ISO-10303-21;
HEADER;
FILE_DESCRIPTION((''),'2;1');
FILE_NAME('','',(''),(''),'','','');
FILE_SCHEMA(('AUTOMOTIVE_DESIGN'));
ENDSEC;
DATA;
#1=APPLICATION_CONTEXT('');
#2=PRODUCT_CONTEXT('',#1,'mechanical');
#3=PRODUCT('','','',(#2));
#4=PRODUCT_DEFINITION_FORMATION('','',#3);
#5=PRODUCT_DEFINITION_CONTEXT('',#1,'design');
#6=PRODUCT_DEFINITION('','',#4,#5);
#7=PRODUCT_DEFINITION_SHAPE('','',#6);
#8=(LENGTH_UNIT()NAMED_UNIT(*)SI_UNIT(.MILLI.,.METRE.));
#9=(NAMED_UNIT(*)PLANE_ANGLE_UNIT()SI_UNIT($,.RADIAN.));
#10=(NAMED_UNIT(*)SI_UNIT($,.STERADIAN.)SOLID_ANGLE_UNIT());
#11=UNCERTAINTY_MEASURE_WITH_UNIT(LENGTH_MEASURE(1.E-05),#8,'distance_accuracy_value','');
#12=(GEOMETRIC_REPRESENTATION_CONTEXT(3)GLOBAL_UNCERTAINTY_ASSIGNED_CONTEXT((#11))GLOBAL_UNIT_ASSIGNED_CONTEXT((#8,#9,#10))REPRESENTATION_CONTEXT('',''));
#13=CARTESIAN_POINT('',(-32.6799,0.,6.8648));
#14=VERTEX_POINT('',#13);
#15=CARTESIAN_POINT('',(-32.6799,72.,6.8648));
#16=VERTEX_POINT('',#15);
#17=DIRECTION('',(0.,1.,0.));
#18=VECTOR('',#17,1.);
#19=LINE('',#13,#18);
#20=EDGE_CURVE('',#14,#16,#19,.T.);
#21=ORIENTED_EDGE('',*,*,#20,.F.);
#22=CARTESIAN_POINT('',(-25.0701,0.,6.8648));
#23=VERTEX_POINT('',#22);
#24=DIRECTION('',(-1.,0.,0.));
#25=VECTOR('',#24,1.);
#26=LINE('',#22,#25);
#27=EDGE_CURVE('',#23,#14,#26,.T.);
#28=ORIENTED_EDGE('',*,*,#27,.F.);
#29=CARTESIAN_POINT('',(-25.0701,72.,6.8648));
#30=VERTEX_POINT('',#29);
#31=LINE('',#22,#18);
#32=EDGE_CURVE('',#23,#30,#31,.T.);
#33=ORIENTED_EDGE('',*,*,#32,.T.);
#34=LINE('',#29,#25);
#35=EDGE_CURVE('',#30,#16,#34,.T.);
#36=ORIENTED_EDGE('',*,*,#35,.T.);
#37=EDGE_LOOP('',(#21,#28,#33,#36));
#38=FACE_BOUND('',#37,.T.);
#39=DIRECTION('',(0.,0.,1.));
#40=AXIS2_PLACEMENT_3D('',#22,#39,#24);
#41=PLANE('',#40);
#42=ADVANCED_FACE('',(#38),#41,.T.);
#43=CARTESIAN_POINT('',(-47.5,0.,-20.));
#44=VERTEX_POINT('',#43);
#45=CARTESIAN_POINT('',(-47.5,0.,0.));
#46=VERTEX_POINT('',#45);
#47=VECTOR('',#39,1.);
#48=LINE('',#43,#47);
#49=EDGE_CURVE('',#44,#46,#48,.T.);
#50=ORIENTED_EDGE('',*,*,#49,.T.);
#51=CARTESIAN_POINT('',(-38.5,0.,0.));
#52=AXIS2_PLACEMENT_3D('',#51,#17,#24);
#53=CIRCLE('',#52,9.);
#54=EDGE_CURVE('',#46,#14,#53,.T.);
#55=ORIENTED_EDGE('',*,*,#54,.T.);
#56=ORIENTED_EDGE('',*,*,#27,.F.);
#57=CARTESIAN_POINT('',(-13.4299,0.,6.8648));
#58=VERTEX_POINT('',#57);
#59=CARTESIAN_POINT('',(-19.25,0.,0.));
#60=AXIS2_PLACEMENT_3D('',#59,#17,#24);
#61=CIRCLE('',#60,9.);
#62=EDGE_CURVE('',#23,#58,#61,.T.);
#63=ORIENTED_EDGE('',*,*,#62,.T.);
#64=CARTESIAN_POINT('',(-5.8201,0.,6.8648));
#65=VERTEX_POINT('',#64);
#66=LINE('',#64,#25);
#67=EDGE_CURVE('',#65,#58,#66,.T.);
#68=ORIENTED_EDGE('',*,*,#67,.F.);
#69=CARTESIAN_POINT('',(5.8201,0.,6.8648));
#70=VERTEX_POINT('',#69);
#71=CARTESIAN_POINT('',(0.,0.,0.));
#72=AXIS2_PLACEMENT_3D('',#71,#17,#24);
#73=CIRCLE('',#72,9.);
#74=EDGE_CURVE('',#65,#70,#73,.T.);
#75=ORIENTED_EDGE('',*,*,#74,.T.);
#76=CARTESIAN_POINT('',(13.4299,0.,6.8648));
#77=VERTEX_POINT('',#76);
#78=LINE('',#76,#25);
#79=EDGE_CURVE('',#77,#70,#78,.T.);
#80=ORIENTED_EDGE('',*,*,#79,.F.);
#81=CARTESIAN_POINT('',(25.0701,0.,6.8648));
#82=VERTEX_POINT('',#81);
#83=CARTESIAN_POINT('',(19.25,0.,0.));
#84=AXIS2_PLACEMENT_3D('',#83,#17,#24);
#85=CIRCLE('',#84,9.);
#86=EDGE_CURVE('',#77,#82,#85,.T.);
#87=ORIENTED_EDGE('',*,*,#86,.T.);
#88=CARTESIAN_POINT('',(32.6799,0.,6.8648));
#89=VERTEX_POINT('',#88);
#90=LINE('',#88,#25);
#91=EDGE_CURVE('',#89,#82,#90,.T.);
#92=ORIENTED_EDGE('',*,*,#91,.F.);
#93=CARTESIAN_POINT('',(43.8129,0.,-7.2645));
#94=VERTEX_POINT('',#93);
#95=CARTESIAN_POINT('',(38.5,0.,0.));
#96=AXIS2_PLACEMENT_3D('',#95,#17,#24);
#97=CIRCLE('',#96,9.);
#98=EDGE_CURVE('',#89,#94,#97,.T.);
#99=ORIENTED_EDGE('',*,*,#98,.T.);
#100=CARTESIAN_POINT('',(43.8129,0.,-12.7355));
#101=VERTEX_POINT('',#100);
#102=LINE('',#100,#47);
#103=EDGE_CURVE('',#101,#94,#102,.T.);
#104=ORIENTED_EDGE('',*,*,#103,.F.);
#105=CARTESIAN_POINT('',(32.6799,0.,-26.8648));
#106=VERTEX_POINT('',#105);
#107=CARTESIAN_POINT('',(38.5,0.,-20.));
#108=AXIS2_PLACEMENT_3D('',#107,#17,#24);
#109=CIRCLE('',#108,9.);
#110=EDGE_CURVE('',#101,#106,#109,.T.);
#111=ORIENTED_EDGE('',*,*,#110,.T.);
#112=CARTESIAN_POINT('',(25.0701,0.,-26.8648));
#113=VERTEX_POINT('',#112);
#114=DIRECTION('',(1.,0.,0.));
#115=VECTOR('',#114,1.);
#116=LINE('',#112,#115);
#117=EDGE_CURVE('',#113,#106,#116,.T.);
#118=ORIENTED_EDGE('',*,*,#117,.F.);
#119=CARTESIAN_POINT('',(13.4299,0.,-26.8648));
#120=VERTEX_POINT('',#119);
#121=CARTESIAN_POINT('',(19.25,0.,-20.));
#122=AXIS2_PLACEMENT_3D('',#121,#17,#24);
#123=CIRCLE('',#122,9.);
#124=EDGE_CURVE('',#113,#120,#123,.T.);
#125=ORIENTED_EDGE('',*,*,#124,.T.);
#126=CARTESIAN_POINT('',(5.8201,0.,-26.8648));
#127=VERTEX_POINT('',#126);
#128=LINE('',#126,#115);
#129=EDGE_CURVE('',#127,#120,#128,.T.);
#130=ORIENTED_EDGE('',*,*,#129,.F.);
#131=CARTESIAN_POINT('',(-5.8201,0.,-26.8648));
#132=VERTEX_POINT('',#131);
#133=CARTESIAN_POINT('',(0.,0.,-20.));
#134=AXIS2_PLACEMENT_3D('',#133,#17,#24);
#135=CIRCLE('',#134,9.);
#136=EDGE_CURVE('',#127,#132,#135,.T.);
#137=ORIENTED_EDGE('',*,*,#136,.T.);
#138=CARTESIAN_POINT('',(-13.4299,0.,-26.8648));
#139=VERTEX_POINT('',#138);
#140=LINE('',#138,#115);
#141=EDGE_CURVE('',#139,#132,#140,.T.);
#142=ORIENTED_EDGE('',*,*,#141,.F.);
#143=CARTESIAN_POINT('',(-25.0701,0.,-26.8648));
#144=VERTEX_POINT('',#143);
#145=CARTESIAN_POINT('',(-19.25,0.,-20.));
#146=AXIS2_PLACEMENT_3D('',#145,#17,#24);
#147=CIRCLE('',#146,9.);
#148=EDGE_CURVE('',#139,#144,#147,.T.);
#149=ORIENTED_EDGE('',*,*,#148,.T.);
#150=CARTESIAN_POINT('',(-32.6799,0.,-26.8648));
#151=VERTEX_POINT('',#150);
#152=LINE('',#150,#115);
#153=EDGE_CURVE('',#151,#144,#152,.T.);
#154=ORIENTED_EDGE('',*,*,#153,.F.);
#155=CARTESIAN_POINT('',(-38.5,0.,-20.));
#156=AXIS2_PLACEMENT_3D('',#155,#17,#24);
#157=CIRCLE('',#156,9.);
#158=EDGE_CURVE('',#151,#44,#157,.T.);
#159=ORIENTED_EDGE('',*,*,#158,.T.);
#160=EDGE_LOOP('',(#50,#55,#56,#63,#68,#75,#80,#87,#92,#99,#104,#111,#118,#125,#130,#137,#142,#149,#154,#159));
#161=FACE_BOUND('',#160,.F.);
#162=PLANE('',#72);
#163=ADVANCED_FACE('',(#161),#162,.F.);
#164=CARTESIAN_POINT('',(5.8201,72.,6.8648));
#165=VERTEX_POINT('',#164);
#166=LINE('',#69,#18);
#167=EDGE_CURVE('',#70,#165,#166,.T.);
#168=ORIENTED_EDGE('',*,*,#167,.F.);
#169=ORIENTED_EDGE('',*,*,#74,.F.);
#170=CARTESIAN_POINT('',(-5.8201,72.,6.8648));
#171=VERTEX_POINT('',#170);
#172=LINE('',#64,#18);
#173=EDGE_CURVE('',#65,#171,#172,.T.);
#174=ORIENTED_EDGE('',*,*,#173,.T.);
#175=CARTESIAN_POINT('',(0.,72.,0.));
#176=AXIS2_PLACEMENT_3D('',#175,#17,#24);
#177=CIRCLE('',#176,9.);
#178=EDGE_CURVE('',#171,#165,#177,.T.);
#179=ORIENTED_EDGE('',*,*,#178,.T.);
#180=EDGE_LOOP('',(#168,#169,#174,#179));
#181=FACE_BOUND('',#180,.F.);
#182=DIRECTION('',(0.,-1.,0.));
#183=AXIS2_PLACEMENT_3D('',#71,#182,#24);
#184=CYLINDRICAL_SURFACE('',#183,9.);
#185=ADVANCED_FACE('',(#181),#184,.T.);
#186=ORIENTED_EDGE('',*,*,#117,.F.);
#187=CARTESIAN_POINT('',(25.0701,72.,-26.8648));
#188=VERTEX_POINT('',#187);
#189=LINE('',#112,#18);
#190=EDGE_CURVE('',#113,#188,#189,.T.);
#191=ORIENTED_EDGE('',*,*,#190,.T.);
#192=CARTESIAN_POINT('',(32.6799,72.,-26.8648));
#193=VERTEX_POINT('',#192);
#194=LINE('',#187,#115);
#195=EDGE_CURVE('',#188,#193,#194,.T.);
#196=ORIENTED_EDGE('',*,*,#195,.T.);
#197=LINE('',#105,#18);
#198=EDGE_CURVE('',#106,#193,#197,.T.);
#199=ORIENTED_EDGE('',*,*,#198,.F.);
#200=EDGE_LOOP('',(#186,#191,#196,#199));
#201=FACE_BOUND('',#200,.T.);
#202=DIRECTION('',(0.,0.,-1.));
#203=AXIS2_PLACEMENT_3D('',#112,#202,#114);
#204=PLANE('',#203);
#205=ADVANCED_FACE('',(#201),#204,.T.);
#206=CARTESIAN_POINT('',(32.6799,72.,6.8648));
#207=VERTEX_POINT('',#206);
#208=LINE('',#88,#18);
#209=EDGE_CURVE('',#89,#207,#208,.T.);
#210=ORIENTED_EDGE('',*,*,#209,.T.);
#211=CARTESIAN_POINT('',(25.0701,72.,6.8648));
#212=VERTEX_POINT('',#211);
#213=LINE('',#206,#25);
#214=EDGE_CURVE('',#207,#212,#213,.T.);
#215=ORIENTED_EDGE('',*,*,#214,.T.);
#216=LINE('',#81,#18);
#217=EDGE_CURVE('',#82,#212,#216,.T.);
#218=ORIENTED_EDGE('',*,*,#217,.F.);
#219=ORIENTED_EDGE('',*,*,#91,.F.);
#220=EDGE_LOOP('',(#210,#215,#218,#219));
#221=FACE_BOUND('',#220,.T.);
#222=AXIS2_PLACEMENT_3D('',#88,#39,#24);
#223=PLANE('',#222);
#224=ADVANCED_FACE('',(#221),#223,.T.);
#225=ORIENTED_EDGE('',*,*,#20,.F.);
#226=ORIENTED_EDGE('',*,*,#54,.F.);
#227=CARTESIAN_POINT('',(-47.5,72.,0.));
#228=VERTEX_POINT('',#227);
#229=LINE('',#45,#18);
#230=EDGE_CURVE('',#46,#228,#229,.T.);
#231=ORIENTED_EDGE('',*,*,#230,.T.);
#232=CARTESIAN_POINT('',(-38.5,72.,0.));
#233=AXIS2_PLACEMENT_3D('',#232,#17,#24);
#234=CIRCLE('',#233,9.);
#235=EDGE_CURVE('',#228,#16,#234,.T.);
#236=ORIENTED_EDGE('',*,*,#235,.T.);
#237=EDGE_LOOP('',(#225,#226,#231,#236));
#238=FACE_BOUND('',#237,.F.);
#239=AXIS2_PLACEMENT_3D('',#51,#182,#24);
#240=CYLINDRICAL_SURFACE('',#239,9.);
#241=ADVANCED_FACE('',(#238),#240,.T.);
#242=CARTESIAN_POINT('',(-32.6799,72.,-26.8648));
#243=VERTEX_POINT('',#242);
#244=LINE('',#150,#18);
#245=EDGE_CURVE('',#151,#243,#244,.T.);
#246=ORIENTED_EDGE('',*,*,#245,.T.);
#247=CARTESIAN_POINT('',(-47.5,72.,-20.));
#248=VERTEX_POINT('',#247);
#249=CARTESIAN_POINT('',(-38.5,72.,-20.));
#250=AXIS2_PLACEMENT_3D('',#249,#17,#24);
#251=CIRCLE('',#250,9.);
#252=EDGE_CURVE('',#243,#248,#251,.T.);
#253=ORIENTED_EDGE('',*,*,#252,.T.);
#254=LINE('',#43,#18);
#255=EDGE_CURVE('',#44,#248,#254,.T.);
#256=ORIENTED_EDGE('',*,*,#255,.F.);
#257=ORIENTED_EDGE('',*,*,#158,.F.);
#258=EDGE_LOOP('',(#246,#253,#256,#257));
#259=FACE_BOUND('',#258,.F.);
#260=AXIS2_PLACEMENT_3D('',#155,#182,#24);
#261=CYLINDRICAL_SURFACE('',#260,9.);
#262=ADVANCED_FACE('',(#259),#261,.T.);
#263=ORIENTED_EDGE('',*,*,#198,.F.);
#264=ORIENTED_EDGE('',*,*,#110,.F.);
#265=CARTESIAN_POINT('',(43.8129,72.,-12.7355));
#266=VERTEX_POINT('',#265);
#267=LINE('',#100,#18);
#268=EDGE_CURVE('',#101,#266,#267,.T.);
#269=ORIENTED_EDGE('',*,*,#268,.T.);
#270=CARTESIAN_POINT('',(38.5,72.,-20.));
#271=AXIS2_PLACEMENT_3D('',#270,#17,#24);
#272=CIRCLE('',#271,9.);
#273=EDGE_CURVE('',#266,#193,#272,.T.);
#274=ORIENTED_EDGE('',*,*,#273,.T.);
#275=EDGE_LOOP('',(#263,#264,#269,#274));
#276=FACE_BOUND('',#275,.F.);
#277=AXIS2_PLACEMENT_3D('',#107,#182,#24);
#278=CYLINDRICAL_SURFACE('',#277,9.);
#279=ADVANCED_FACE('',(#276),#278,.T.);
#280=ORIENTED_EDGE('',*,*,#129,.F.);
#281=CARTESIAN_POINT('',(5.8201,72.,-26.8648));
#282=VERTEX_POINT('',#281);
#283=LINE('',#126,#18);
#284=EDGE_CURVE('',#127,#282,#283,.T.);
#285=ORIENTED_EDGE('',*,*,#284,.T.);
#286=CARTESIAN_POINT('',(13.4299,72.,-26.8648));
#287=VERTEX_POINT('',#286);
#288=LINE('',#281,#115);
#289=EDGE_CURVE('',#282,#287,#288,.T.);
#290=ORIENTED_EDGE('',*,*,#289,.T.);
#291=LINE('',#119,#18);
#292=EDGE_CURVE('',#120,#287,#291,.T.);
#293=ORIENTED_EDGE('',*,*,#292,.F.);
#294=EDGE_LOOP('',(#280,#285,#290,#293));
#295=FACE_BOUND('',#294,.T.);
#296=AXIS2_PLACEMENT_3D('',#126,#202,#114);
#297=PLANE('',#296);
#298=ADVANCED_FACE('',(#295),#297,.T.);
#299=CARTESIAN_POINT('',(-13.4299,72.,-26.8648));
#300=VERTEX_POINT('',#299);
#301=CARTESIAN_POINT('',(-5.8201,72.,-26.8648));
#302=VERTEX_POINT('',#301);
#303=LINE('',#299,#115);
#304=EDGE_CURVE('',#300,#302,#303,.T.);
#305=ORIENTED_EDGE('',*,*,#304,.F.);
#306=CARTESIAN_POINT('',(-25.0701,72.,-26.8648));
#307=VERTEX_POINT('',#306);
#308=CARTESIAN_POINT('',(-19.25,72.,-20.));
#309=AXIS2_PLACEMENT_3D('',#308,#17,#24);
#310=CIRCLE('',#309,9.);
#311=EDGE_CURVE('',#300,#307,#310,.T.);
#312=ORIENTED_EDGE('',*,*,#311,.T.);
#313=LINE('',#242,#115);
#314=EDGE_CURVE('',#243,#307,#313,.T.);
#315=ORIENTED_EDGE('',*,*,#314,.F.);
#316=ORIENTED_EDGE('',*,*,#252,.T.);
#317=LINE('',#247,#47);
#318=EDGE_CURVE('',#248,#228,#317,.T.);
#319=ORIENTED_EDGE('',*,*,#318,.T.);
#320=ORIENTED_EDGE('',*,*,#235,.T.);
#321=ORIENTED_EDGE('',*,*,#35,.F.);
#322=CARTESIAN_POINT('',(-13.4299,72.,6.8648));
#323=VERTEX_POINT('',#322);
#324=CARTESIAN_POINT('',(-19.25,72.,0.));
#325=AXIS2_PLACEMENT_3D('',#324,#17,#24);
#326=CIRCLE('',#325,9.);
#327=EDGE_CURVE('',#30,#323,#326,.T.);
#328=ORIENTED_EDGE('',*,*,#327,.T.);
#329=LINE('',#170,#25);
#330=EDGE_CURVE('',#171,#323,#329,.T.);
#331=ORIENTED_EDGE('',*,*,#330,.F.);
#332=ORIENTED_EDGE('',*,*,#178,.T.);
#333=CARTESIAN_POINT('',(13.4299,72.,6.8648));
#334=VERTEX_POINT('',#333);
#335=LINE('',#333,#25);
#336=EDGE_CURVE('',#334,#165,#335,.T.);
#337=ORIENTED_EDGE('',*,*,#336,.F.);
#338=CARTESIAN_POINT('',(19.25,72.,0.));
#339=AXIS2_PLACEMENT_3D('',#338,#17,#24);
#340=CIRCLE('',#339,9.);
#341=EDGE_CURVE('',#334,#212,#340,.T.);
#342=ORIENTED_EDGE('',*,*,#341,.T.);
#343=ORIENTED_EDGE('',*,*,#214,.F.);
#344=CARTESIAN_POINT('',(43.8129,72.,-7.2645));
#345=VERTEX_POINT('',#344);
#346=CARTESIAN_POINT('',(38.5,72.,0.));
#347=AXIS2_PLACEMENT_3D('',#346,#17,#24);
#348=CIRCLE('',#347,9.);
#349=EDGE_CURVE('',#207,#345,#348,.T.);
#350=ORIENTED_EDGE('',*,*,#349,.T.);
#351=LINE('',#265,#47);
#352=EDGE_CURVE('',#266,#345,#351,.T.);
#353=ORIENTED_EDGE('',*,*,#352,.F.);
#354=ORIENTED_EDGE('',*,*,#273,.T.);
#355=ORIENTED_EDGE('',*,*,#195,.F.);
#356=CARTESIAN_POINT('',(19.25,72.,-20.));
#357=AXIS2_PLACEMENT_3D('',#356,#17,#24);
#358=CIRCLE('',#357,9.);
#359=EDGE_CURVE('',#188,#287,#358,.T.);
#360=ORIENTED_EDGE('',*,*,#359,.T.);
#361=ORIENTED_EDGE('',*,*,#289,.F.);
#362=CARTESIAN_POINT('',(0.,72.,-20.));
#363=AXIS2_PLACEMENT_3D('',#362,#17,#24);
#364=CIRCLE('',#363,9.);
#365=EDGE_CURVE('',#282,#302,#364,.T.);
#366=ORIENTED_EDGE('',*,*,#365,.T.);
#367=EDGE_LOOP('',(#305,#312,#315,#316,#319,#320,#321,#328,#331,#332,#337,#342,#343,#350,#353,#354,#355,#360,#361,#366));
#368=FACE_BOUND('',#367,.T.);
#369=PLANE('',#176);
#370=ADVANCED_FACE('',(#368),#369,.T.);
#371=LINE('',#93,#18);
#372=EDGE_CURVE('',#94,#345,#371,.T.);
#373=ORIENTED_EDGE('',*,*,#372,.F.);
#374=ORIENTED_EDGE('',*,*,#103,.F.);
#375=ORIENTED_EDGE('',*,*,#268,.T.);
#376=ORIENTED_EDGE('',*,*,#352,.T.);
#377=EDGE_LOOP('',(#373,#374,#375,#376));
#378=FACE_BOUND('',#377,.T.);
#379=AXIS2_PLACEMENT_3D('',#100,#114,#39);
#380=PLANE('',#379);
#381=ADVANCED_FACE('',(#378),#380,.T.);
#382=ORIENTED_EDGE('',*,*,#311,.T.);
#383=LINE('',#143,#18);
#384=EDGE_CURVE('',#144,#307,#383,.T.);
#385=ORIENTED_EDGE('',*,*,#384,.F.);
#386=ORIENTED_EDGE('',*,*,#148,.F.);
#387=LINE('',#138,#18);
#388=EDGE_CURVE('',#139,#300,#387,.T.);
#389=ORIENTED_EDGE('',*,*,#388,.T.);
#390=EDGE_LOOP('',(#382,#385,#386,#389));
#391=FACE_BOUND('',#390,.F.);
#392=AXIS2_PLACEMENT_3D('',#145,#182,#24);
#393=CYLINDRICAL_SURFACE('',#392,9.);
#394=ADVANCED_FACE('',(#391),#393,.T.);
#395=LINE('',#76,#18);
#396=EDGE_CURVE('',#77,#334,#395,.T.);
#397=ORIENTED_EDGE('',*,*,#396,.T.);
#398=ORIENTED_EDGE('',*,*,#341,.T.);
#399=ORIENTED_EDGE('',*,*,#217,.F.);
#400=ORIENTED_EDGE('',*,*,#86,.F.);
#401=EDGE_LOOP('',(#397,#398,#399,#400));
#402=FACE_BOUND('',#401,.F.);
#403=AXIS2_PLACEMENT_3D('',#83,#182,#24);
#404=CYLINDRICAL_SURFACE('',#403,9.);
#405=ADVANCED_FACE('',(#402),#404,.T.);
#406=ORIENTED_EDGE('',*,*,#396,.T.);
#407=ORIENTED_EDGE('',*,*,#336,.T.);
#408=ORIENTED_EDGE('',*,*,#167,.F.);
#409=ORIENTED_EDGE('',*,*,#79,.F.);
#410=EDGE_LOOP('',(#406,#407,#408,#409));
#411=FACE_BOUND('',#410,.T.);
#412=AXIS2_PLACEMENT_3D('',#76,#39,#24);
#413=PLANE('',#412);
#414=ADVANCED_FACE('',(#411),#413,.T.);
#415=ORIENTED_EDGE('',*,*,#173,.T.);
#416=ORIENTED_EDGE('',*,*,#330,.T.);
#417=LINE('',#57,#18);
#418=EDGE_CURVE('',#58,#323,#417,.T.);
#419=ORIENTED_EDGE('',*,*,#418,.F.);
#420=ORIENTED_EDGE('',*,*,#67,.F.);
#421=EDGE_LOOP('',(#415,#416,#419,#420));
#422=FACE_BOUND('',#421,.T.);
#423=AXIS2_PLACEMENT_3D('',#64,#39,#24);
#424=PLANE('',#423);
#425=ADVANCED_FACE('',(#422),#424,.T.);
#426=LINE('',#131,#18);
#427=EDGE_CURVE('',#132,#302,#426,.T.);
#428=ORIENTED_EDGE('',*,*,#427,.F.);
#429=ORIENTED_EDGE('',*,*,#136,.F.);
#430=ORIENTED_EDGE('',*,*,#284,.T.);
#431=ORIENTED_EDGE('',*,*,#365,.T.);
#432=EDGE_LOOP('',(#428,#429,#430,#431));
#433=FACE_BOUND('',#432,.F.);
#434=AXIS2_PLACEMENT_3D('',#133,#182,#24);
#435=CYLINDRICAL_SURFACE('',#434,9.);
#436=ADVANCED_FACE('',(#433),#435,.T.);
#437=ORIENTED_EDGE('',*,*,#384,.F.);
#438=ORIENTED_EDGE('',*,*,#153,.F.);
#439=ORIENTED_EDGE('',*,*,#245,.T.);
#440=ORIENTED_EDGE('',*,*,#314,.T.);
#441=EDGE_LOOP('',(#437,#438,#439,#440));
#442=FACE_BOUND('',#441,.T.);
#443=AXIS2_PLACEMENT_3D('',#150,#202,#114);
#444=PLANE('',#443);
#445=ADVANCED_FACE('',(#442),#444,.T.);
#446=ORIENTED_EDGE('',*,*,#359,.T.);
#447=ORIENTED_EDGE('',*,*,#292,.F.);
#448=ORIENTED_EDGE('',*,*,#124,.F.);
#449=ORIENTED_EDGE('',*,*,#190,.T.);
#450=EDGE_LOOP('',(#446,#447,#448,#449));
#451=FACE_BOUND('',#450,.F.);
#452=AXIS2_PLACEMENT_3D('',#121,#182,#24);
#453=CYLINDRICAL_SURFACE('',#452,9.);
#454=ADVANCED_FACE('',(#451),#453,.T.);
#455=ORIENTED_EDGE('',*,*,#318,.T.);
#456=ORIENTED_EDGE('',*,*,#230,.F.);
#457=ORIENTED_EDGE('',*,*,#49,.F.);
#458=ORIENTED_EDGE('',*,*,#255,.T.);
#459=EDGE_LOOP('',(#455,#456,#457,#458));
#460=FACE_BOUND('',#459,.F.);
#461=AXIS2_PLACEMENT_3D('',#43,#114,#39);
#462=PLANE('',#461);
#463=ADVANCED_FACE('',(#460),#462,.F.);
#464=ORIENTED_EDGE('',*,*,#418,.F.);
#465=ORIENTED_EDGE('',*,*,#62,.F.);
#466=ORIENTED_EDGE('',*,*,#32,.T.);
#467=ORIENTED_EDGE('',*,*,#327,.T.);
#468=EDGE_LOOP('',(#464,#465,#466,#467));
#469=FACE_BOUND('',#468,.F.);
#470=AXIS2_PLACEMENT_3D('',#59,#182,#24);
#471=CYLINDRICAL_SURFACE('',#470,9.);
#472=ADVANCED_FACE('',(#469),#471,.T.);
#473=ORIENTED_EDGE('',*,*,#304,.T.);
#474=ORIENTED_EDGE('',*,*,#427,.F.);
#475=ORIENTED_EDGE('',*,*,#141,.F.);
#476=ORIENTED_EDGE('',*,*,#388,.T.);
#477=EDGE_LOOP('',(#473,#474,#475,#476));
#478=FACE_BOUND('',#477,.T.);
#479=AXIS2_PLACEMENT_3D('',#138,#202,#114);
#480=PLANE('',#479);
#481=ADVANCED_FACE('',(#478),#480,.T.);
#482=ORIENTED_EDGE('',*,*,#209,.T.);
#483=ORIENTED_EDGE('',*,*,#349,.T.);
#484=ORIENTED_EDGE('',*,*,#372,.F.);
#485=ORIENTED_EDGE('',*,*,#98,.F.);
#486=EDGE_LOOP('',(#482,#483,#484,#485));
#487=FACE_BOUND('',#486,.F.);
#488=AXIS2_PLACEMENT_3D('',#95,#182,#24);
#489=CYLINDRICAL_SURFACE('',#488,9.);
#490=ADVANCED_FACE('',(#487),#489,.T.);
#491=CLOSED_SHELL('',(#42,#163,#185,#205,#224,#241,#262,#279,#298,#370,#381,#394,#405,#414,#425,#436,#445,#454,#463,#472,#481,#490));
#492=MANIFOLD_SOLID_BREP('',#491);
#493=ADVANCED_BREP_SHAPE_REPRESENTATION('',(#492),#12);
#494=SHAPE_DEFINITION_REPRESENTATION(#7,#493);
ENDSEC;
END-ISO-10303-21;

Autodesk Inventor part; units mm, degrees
ref_plane "YZ Plane" through (0, 0, 0) normal (1, 0, 0) x (0, 1, 0)
ref_plane "XZ Plane" through (0, 0, 0) normal (0, 1, 0) x (-1, 0, 0)
ref_plane "XY Plane" through (0, 0, 0) normal (0, 0, 1) x (1, 0, 0)
sketch "Sketch1" plane through (0, 0, 0) normal (0, 1, 0) x (-1, 0, 0)
  circle A0 centre (0, 0) radius 9
  circle A1 centre (-19.25, 0) radius 9
  circle A2 centre (-38.5, 0) radius 9
  circle A3 centre (19.25, 0) radius 9
  circle A4 centre (38.5, 0) radius 9
  circle A5 centre (0, -20) radius 9
  circle A6 centre (-19.25, -20) radius 9
  circle A7 centre (-38.5, -20) radius 9
  circle A8 centre (19.25, -20) radius 9
  circle A9 centre (38.5, -20) radius 9
  line L0 (47.5, -20) -> (47.5, 0)
  line L1 (32.6799, -26.8648) -> (25.0701, -26.8648)
  line L2 (13.4299, -26.8648) -> (5.8201, -26.8648)
  line L3 (-5.8201, -26.8648) -> (-13.4299, -26.8648)
  line L4 (-25.0701, -26.8648) -> (-32.6799, -26.8648)
  line L5 (-32.6799, 6.8648) -> (-25.0701, 6.8648)
  line L6 (-13.4299, 6.8648) -> (-5.8201, 6.8648)
  line L7 (5.8201, 6.8648) -> (13.4299, 6.8648)
  line L8 (25.0701, 6.8648) -> (32.6799, 6.8648)
  line L9 (-43.8129, -12.7355) -> (-43.8129, -7.2645)
  dimension "d0" = 18
  dimension "d1" = 18
  dimension "d2" = 18
  dimension "d3" = 18
  dimension "d4" = 18
  dimension "d5" = 1.25
  dimension "d6" = 1.25
  dimension "d7" = 1.25
  dimension "d8" = 1.25
  dimension "d9" = 18
  dimension "d10" = 2
  dimension "d11" = 18
  dimension "d12" = 18
  dimension "d13" = 18
  dimension "d14" = 18
  dimension "d15" = 2
  dimension "d16" = 1.25
  dimension "d17" = 1.25
  dimension "d18" = 1.25
  dimension "d19" = 1.25
  dimension "d20" = 2
  dimension "d21" = 2
extrude "Extrusion1" add sketch "Sketch1" along normal blind 72
properties part number "NimhBattery"
